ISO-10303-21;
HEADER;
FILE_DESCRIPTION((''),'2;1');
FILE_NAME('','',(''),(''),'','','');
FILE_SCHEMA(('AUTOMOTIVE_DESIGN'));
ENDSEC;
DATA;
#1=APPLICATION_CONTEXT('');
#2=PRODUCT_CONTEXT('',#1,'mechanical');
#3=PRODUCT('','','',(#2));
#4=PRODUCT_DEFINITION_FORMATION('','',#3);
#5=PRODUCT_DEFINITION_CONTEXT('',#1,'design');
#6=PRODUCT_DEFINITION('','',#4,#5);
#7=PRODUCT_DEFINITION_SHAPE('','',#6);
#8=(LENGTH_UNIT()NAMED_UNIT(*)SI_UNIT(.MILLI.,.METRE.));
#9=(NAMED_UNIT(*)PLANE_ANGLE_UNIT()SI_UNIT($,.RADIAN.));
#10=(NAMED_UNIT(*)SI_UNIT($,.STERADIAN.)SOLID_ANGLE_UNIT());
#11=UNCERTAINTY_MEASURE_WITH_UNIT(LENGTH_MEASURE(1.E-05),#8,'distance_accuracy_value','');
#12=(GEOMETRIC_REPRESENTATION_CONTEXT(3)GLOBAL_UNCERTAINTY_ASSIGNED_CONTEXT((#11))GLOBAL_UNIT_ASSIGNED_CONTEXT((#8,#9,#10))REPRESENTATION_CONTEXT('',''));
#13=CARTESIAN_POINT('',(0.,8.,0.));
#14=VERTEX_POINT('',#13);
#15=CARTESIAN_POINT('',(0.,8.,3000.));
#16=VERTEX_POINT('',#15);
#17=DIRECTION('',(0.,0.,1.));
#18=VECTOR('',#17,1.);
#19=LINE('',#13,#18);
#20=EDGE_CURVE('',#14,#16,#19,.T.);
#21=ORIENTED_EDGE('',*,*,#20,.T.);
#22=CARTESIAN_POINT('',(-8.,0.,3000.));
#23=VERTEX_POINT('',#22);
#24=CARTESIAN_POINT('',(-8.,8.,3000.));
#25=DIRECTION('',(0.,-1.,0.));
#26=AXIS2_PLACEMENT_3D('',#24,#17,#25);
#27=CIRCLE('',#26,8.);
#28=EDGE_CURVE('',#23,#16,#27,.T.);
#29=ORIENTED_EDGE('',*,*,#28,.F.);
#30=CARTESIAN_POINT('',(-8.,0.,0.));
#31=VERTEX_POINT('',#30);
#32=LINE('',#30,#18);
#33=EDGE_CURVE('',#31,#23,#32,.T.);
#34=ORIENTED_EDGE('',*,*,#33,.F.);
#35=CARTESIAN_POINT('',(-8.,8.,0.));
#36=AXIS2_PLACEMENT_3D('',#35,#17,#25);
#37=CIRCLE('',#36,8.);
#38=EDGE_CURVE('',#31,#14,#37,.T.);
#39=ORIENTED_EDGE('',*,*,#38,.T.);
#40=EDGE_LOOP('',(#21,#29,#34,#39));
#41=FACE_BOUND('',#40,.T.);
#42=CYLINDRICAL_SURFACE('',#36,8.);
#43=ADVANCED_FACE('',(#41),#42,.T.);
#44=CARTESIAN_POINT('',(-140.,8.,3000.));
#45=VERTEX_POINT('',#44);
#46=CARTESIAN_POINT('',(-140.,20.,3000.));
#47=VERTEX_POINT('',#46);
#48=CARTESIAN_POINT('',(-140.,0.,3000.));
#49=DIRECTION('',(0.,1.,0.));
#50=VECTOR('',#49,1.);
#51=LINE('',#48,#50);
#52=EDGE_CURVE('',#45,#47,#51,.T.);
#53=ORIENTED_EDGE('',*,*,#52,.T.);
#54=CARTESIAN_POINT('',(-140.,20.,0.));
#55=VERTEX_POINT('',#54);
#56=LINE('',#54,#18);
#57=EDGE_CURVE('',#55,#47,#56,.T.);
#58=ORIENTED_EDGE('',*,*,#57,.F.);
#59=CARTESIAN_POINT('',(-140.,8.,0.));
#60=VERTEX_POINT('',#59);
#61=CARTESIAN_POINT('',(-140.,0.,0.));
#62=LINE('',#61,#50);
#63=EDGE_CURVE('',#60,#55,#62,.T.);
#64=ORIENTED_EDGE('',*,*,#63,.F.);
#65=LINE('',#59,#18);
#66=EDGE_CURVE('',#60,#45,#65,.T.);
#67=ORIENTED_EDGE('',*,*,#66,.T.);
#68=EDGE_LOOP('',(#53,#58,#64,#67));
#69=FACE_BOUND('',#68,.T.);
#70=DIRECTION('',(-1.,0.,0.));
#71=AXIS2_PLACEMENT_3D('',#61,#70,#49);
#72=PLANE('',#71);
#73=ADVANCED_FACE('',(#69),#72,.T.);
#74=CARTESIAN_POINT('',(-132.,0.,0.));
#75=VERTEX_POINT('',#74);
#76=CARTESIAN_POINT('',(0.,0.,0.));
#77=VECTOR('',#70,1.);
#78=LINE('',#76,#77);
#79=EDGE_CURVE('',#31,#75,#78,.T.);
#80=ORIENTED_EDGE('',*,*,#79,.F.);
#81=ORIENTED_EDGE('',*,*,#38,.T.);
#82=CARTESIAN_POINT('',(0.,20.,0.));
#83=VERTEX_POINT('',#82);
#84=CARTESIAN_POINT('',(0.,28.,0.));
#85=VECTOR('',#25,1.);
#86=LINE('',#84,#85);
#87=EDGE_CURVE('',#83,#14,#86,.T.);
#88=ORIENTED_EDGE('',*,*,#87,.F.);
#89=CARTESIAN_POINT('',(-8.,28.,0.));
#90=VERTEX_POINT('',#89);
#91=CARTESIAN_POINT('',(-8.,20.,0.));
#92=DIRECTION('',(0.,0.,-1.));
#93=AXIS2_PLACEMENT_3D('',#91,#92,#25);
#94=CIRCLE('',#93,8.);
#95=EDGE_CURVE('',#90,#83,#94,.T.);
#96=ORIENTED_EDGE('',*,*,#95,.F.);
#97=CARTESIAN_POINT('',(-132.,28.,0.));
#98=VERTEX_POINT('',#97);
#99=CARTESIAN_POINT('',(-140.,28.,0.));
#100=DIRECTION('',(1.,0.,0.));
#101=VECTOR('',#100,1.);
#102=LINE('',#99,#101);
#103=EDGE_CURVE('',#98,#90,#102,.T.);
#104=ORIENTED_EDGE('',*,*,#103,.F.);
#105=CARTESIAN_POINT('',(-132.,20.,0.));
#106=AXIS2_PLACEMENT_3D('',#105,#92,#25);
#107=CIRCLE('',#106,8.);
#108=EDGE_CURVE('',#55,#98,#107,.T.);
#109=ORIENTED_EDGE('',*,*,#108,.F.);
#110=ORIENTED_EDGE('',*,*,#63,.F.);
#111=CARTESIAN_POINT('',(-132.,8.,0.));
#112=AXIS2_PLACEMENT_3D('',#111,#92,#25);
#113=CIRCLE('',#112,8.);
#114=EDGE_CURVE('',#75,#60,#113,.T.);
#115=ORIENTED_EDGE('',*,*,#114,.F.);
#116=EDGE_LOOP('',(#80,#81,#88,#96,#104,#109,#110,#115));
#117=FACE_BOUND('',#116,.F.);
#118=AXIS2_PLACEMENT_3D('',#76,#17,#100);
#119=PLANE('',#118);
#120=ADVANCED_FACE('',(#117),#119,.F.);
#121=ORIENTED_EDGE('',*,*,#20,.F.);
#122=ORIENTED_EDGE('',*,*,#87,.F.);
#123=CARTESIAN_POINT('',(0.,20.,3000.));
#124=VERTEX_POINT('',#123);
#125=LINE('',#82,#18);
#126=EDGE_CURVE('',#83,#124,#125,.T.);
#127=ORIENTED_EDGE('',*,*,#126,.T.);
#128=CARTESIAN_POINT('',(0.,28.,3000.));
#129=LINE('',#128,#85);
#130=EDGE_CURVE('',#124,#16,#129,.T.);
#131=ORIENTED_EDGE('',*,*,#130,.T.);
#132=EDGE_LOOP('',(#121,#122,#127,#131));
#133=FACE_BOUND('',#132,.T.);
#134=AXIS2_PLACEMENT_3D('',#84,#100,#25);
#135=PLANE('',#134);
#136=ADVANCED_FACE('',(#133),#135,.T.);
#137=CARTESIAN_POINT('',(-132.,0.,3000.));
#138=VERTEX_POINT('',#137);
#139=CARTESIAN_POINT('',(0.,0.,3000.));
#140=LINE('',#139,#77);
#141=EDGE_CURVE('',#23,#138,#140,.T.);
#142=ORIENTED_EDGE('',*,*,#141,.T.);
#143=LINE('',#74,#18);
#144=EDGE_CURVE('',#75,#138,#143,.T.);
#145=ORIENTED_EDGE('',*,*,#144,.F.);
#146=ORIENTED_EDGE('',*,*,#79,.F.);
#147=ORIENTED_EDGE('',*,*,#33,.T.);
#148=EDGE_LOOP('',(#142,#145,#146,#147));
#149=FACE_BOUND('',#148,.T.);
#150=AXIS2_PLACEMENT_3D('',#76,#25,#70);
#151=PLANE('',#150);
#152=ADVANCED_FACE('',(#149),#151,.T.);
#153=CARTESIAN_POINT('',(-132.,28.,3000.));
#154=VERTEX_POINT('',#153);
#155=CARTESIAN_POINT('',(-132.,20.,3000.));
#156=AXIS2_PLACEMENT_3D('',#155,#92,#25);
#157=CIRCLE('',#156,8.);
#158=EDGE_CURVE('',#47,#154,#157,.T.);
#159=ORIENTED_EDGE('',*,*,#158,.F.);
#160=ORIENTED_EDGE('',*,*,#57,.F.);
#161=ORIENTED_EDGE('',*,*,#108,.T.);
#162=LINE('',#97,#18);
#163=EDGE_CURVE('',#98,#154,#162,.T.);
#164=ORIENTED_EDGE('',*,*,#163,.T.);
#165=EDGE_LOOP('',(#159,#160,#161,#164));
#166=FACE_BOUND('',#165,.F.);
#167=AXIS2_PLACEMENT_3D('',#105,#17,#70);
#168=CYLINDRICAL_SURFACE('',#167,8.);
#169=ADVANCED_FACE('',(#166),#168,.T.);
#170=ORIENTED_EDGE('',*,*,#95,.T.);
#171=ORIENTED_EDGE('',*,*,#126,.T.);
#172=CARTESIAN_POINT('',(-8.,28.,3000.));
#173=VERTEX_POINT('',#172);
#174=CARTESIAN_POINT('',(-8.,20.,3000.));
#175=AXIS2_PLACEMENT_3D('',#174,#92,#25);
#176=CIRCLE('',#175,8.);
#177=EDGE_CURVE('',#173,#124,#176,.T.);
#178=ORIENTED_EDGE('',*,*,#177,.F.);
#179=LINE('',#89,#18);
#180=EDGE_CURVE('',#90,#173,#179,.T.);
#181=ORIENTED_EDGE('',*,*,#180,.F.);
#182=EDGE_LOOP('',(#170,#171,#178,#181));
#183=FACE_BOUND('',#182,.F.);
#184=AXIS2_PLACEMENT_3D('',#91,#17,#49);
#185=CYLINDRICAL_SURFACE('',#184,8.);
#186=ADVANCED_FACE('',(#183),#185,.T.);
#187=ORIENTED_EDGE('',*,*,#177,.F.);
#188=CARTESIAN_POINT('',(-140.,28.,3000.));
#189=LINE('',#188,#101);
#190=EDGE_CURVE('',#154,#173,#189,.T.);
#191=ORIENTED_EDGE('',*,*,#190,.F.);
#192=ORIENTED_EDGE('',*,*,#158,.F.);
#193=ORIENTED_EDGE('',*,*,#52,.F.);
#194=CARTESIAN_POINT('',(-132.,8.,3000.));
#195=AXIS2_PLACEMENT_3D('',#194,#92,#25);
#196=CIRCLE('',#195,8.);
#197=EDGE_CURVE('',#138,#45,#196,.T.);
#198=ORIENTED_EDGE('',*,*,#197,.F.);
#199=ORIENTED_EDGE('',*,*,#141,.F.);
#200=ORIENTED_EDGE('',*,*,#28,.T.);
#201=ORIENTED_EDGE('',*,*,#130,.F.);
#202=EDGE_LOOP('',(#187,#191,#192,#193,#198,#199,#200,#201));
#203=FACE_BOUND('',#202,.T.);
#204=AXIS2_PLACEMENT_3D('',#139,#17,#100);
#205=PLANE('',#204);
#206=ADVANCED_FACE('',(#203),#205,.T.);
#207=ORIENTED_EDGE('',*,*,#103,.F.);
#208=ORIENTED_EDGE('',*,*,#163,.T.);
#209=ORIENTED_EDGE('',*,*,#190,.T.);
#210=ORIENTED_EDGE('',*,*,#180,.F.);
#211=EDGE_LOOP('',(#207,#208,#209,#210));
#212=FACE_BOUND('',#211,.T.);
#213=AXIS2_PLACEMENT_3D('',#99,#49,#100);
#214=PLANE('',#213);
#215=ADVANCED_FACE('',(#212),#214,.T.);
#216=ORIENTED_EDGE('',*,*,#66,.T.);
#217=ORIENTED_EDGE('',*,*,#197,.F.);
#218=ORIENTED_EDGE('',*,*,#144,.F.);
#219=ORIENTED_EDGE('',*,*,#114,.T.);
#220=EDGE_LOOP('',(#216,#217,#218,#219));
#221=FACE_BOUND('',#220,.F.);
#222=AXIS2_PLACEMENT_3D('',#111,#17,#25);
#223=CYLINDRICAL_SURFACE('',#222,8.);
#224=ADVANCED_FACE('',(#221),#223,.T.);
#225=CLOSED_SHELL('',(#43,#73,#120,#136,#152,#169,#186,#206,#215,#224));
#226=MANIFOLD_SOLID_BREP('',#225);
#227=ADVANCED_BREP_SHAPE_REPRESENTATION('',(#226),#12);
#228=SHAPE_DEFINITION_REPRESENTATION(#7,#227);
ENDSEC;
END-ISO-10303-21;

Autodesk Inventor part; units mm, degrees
ref_plane "YZ Plane" through (0, 0, 0) normal (1, 0, 0) x (0, 1, 0)
ref_plane "XZ Plane" through (0, 0, 0) normal (0, 1, 0) x (-1, 0, 0)
ref_plane "XY Plane" through (0, 0, 0) normal (0, 0, 1) x (1, 0, 0)
sketch "Sketch1" plane through (0, 0, 0) normal (0, 0, 1) x (1, 0, 0)
  line L0 (0, 0) -> (-140, 0)
  line L1 (-140, 0) -> (-140, 28)
  line L2 (-140, 28) -> (0, 28)
  line L3 (0, 28) -> (0, 0)
  dimension "d0" = 140
  dimension "d1" = 28
extrude "Extrusion1" add sketch "Sketch1" along normal blind 3000
fillet "Fillet1" radius 8 4 edges at (0, 28, 1500) (0, 0, 1500) (-140, 28, 1500) (-140, 0, 1500)
properties part number "Kertdeszka" material "Wood (Cherry)"
